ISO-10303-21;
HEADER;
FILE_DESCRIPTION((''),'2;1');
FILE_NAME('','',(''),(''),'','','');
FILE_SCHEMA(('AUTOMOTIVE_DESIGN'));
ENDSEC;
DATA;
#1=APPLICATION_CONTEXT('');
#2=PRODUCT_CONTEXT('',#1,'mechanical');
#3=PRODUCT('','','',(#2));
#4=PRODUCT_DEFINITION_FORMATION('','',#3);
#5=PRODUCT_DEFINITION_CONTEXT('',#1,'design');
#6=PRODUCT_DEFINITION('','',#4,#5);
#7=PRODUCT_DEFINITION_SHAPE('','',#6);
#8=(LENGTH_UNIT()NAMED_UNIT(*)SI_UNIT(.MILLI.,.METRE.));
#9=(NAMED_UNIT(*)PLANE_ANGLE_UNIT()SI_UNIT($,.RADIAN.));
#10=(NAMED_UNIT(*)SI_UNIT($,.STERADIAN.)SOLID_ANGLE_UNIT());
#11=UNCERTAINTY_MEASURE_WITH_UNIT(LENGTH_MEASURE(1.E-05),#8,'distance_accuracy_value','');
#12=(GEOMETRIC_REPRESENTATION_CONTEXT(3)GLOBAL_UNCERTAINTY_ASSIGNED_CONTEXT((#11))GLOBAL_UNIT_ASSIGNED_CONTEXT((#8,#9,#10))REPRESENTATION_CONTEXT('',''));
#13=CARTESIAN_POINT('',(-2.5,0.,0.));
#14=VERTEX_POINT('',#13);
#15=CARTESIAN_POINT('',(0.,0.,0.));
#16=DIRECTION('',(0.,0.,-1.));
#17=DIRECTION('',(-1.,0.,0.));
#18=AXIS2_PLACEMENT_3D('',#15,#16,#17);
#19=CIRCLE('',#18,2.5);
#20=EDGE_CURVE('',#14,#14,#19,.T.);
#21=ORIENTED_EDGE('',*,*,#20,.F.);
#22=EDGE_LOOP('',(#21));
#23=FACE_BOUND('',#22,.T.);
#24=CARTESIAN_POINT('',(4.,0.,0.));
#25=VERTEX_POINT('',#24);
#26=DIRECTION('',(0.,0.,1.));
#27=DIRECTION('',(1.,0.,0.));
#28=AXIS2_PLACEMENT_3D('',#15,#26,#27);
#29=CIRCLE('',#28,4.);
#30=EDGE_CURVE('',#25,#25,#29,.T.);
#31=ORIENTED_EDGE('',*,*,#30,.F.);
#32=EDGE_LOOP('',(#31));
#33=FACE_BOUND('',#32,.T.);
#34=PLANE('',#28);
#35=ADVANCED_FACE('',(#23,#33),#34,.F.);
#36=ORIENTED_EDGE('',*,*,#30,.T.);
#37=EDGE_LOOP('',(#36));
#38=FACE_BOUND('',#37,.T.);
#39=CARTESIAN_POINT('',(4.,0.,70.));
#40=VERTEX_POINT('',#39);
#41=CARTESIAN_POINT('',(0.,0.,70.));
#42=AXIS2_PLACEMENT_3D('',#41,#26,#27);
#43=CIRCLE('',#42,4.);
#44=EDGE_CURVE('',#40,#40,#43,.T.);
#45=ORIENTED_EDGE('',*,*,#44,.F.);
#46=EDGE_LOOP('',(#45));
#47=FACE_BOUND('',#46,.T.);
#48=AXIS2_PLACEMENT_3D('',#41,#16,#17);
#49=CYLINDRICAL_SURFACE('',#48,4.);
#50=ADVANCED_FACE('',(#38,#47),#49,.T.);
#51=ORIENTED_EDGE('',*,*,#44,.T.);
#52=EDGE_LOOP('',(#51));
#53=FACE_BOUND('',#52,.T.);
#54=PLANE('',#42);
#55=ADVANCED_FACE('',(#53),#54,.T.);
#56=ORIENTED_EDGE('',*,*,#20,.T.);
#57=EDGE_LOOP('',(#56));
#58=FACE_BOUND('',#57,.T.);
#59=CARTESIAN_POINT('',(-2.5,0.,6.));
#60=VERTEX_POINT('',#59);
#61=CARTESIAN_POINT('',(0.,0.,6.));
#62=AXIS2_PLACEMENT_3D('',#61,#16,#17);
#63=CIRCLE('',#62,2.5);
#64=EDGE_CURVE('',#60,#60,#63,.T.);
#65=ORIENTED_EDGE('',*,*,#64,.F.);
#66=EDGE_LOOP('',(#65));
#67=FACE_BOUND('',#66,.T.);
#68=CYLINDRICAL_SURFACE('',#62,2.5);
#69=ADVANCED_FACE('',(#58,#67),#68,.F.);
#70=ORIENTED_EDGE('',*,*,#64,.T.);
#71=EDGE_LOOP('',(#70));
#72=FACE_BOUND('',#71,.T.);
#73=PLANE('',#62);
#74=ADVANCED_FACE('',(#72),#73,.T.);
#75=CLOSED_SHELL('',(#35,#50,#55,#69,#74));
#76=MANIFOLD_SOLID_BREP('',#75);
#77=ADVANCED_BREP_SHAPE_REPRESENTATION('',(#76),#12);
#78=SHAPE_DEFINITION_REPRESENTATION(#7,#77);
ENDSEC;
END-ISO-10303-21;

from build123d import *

# Parameters (mm, degrees)
SKETCH1_R           = 4
BOSS_EXTRUDE1_DEPTH = 70
SKETCH2_R           = 2.5
CUT_EXTRUDE1_DEPTH  = 6


with BuildPart() as part:
    # Sketch1 → Boss-Extrude1 (new body)
    with BuildSketch(Plane.XY):
        Circle(SKETCH1_R)
    extrude(amount=BOSS_EXTRUDE1_DEPTH)

    # Sketch2 → Cut-Extrude1 (cut)
    with BuildSketch(Plane(origin=(0, 0, 0), x_dir=(-1, 0, 0), z_dir=(0, 0, -1))):
        Circle(SKETCH2_R)
    extrude(amount=-CUT_EXTRUDE1_DEPTH, mode=Mode.SUBTRACT)


solid = part.part
